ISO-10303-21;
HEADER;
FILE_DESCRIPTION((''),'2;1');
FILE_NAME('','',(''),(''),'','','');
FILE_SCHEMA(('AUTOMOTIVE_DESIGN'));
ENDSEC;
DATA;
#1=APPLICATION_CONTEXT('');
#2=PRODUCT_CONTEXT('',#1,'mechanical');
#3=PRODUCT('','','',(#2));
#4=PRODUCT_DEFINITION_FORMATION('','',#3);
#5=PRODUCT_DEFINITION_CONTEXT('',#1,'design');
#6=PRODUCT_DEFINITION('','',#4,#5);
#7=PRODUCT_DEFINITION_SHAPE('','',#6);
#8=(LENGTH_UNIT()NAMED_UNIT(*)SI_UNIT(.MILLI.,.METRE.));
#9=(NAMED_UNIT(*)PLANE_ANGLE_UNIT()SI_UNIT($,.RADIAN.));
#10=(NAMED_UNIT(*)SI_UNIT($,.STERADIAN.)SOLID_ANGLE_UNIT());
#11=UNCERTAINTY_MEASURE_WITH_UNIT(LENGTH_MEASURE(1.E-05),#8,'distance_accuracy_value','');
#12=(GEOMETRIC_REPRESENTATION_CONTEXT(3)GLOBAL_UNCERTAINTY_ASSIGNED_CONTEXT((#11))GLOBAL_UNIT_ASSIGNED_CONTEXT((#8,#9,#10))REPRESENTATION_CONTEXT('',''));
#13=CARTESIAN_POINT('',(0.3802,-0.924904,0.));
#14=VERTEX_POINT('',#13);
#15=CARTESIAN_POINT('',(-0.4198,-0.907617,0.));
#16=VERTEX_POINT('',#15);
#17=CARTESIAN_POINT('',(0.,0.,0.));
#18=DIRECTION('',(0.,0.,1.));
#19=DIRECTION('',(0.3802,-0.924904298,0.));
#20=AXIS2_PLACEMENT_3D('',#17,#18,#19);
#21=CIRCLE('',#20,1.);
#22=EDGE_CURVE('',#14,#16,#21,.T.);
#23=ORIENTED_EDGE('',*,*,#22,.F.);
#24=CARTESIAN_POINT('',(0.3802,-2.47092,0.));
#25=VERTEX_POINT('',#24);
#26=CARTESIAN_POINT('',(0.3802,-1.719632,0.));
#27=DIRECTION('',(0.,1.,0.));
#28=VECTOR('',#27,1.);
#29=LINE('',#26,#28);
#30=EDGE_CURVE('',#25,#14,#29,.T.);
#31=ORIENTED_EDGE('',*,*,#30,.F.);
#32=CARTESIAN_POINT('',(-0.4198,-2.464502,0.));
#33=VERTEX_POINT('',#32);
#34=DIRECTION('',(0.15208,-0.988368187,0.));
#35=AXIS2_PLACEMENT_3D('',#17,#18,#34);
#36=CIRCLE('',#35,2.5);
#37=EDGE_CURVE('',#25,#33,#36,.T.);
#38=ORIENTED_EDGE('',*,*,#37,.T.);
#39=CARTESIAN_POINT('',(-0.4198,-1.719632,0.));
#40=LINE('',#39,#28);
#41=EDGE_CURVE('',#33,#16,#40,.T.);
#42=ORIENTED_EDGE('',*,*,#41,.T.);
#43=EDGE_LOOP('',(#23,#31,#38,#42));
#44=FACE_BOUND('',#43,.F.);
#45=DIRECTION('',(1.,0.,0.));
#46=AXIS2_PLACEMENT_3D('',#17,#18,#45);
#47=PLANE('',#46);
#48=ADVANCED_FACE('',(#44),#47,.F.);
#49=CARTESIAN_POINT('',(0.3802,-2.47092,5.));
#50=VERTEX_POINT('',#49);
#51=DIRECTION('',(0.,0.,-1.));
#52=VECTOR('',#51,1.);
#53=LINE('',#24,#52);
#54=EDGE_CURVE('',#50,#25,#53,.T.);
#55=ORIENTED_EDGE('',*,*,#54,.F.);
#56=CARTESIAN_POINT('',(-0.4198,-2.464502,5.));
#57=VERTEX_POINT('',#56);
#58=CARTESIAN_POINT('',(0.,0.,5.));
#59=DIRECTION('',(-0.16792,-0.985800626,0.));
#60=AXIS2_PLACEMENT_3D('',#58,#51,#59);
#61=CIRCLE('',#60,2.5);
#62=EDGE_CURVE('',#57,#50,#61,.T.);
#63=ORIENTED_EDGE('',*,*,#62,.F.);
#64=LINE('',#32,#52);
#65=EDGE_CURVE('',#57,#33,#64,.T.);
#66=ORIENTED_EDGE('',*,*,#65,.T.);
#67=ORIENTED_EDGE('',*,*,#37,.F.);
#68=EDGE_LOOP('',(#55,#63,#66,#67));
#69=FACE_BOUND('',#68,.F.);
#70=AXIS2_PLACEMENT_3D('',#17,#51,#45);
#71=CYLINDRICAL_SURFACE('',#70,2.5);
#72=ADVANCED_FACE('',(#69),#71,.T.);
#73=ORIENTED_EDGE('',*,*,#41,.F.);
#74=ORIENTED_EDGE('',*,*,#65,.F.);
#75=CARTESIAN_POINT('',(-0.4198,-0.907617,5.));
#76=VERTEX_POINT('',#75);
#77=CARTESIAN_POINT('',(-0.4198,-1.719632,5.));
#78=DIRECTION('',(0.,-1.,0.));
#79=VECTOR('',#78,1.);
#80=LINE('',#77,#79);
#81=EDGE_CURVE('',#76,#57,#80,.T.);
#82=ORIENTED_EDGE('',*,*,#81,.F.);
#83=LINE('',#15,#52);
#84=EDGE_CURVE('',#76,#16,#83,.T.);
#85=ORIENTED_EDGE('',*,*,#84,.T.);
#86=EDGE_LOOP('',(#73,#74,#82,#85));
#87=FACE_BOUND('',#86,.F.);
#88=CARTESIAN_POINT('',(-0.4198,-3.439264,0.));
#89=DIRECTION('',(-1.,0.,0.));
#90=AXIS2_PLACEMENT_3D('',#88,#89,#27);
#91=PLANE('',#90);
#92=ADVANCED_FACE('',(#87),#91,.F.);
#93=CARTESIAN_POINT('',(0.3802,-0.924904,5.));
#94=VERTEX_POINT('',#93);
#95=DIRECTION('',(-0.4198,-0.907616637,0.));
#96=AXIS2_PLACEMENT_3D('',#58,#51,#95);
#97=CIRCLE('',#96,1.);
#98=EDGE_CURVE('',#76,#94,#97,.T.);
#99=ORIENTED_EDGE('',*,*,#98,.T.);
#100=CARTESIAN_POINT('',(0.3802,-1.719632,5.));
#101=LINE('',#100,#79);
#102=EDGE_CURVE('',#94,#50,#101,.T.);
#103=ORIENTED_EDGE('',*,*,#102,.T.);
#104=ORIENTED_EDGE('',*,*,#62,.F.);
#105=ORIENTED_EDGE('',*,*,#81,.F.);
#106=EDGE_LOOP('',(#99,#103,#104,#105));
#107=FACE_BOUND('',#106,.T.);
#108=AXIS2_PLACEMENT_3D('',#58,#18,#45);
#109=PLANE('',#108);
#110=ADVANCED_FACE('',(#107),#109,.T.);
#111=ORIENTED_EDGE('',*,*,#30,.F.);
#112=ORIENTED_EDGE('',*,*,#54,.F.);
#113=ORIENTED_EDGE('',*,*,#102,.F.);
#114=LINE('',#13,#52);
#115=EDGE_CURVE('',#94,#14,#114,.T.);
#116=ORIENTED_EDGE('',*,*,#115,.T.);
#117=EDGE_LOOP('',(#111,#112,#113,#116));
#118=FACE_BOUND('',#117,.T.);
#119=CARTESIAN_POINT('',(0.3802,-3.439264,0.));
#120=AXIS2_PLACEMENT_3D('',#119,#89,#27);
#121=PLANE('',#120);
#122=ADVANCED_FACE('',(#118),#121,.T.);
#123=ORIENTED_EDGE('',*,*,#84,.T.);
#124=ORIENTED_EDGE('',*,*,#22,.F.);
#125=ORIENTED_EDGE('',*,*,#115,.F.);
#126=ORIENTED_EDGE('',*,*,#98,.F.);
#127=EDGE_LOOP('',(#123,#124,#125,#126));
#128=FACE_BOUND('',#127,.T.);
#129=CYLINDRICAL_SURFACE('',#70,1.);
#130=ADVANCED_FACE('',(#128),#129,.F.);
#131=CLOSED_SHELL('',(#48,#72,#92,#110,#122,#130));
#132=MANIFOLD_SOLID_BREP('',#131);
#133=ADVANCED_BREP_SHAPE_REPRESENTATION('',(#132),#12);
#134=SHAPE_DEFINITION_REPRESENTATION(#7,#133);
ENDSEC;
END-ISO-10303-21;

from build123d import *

# Parameters (mm, degrees)
F0_R     = 2.5
F0_R_2   = 1
F2_DEPTH = 5
F1_W     = 0.8
F1_H     = 3.439264
F3_DEPTH = 25.4


with BuildPart() as f2:
    # F0 (on Top) → F2 (new body)
    with BuildSketch(Plane.XY):
        Circle(F0_R)
        Circle(F0_R_2, mode=Mode.SUBTRACT)
    extrude(amount=F2_DEPTH)

    # F1 (on Top) → F3 (cut)
    with BuildSketch(Plane.XY):
        with Locations((-0.0198, -1.719632)):
            Rectangle(F1_W, F1_H)
    extrude(amount=F3_DEPTH, mode=Mode.SUBTRACT)


solid = f2.part
